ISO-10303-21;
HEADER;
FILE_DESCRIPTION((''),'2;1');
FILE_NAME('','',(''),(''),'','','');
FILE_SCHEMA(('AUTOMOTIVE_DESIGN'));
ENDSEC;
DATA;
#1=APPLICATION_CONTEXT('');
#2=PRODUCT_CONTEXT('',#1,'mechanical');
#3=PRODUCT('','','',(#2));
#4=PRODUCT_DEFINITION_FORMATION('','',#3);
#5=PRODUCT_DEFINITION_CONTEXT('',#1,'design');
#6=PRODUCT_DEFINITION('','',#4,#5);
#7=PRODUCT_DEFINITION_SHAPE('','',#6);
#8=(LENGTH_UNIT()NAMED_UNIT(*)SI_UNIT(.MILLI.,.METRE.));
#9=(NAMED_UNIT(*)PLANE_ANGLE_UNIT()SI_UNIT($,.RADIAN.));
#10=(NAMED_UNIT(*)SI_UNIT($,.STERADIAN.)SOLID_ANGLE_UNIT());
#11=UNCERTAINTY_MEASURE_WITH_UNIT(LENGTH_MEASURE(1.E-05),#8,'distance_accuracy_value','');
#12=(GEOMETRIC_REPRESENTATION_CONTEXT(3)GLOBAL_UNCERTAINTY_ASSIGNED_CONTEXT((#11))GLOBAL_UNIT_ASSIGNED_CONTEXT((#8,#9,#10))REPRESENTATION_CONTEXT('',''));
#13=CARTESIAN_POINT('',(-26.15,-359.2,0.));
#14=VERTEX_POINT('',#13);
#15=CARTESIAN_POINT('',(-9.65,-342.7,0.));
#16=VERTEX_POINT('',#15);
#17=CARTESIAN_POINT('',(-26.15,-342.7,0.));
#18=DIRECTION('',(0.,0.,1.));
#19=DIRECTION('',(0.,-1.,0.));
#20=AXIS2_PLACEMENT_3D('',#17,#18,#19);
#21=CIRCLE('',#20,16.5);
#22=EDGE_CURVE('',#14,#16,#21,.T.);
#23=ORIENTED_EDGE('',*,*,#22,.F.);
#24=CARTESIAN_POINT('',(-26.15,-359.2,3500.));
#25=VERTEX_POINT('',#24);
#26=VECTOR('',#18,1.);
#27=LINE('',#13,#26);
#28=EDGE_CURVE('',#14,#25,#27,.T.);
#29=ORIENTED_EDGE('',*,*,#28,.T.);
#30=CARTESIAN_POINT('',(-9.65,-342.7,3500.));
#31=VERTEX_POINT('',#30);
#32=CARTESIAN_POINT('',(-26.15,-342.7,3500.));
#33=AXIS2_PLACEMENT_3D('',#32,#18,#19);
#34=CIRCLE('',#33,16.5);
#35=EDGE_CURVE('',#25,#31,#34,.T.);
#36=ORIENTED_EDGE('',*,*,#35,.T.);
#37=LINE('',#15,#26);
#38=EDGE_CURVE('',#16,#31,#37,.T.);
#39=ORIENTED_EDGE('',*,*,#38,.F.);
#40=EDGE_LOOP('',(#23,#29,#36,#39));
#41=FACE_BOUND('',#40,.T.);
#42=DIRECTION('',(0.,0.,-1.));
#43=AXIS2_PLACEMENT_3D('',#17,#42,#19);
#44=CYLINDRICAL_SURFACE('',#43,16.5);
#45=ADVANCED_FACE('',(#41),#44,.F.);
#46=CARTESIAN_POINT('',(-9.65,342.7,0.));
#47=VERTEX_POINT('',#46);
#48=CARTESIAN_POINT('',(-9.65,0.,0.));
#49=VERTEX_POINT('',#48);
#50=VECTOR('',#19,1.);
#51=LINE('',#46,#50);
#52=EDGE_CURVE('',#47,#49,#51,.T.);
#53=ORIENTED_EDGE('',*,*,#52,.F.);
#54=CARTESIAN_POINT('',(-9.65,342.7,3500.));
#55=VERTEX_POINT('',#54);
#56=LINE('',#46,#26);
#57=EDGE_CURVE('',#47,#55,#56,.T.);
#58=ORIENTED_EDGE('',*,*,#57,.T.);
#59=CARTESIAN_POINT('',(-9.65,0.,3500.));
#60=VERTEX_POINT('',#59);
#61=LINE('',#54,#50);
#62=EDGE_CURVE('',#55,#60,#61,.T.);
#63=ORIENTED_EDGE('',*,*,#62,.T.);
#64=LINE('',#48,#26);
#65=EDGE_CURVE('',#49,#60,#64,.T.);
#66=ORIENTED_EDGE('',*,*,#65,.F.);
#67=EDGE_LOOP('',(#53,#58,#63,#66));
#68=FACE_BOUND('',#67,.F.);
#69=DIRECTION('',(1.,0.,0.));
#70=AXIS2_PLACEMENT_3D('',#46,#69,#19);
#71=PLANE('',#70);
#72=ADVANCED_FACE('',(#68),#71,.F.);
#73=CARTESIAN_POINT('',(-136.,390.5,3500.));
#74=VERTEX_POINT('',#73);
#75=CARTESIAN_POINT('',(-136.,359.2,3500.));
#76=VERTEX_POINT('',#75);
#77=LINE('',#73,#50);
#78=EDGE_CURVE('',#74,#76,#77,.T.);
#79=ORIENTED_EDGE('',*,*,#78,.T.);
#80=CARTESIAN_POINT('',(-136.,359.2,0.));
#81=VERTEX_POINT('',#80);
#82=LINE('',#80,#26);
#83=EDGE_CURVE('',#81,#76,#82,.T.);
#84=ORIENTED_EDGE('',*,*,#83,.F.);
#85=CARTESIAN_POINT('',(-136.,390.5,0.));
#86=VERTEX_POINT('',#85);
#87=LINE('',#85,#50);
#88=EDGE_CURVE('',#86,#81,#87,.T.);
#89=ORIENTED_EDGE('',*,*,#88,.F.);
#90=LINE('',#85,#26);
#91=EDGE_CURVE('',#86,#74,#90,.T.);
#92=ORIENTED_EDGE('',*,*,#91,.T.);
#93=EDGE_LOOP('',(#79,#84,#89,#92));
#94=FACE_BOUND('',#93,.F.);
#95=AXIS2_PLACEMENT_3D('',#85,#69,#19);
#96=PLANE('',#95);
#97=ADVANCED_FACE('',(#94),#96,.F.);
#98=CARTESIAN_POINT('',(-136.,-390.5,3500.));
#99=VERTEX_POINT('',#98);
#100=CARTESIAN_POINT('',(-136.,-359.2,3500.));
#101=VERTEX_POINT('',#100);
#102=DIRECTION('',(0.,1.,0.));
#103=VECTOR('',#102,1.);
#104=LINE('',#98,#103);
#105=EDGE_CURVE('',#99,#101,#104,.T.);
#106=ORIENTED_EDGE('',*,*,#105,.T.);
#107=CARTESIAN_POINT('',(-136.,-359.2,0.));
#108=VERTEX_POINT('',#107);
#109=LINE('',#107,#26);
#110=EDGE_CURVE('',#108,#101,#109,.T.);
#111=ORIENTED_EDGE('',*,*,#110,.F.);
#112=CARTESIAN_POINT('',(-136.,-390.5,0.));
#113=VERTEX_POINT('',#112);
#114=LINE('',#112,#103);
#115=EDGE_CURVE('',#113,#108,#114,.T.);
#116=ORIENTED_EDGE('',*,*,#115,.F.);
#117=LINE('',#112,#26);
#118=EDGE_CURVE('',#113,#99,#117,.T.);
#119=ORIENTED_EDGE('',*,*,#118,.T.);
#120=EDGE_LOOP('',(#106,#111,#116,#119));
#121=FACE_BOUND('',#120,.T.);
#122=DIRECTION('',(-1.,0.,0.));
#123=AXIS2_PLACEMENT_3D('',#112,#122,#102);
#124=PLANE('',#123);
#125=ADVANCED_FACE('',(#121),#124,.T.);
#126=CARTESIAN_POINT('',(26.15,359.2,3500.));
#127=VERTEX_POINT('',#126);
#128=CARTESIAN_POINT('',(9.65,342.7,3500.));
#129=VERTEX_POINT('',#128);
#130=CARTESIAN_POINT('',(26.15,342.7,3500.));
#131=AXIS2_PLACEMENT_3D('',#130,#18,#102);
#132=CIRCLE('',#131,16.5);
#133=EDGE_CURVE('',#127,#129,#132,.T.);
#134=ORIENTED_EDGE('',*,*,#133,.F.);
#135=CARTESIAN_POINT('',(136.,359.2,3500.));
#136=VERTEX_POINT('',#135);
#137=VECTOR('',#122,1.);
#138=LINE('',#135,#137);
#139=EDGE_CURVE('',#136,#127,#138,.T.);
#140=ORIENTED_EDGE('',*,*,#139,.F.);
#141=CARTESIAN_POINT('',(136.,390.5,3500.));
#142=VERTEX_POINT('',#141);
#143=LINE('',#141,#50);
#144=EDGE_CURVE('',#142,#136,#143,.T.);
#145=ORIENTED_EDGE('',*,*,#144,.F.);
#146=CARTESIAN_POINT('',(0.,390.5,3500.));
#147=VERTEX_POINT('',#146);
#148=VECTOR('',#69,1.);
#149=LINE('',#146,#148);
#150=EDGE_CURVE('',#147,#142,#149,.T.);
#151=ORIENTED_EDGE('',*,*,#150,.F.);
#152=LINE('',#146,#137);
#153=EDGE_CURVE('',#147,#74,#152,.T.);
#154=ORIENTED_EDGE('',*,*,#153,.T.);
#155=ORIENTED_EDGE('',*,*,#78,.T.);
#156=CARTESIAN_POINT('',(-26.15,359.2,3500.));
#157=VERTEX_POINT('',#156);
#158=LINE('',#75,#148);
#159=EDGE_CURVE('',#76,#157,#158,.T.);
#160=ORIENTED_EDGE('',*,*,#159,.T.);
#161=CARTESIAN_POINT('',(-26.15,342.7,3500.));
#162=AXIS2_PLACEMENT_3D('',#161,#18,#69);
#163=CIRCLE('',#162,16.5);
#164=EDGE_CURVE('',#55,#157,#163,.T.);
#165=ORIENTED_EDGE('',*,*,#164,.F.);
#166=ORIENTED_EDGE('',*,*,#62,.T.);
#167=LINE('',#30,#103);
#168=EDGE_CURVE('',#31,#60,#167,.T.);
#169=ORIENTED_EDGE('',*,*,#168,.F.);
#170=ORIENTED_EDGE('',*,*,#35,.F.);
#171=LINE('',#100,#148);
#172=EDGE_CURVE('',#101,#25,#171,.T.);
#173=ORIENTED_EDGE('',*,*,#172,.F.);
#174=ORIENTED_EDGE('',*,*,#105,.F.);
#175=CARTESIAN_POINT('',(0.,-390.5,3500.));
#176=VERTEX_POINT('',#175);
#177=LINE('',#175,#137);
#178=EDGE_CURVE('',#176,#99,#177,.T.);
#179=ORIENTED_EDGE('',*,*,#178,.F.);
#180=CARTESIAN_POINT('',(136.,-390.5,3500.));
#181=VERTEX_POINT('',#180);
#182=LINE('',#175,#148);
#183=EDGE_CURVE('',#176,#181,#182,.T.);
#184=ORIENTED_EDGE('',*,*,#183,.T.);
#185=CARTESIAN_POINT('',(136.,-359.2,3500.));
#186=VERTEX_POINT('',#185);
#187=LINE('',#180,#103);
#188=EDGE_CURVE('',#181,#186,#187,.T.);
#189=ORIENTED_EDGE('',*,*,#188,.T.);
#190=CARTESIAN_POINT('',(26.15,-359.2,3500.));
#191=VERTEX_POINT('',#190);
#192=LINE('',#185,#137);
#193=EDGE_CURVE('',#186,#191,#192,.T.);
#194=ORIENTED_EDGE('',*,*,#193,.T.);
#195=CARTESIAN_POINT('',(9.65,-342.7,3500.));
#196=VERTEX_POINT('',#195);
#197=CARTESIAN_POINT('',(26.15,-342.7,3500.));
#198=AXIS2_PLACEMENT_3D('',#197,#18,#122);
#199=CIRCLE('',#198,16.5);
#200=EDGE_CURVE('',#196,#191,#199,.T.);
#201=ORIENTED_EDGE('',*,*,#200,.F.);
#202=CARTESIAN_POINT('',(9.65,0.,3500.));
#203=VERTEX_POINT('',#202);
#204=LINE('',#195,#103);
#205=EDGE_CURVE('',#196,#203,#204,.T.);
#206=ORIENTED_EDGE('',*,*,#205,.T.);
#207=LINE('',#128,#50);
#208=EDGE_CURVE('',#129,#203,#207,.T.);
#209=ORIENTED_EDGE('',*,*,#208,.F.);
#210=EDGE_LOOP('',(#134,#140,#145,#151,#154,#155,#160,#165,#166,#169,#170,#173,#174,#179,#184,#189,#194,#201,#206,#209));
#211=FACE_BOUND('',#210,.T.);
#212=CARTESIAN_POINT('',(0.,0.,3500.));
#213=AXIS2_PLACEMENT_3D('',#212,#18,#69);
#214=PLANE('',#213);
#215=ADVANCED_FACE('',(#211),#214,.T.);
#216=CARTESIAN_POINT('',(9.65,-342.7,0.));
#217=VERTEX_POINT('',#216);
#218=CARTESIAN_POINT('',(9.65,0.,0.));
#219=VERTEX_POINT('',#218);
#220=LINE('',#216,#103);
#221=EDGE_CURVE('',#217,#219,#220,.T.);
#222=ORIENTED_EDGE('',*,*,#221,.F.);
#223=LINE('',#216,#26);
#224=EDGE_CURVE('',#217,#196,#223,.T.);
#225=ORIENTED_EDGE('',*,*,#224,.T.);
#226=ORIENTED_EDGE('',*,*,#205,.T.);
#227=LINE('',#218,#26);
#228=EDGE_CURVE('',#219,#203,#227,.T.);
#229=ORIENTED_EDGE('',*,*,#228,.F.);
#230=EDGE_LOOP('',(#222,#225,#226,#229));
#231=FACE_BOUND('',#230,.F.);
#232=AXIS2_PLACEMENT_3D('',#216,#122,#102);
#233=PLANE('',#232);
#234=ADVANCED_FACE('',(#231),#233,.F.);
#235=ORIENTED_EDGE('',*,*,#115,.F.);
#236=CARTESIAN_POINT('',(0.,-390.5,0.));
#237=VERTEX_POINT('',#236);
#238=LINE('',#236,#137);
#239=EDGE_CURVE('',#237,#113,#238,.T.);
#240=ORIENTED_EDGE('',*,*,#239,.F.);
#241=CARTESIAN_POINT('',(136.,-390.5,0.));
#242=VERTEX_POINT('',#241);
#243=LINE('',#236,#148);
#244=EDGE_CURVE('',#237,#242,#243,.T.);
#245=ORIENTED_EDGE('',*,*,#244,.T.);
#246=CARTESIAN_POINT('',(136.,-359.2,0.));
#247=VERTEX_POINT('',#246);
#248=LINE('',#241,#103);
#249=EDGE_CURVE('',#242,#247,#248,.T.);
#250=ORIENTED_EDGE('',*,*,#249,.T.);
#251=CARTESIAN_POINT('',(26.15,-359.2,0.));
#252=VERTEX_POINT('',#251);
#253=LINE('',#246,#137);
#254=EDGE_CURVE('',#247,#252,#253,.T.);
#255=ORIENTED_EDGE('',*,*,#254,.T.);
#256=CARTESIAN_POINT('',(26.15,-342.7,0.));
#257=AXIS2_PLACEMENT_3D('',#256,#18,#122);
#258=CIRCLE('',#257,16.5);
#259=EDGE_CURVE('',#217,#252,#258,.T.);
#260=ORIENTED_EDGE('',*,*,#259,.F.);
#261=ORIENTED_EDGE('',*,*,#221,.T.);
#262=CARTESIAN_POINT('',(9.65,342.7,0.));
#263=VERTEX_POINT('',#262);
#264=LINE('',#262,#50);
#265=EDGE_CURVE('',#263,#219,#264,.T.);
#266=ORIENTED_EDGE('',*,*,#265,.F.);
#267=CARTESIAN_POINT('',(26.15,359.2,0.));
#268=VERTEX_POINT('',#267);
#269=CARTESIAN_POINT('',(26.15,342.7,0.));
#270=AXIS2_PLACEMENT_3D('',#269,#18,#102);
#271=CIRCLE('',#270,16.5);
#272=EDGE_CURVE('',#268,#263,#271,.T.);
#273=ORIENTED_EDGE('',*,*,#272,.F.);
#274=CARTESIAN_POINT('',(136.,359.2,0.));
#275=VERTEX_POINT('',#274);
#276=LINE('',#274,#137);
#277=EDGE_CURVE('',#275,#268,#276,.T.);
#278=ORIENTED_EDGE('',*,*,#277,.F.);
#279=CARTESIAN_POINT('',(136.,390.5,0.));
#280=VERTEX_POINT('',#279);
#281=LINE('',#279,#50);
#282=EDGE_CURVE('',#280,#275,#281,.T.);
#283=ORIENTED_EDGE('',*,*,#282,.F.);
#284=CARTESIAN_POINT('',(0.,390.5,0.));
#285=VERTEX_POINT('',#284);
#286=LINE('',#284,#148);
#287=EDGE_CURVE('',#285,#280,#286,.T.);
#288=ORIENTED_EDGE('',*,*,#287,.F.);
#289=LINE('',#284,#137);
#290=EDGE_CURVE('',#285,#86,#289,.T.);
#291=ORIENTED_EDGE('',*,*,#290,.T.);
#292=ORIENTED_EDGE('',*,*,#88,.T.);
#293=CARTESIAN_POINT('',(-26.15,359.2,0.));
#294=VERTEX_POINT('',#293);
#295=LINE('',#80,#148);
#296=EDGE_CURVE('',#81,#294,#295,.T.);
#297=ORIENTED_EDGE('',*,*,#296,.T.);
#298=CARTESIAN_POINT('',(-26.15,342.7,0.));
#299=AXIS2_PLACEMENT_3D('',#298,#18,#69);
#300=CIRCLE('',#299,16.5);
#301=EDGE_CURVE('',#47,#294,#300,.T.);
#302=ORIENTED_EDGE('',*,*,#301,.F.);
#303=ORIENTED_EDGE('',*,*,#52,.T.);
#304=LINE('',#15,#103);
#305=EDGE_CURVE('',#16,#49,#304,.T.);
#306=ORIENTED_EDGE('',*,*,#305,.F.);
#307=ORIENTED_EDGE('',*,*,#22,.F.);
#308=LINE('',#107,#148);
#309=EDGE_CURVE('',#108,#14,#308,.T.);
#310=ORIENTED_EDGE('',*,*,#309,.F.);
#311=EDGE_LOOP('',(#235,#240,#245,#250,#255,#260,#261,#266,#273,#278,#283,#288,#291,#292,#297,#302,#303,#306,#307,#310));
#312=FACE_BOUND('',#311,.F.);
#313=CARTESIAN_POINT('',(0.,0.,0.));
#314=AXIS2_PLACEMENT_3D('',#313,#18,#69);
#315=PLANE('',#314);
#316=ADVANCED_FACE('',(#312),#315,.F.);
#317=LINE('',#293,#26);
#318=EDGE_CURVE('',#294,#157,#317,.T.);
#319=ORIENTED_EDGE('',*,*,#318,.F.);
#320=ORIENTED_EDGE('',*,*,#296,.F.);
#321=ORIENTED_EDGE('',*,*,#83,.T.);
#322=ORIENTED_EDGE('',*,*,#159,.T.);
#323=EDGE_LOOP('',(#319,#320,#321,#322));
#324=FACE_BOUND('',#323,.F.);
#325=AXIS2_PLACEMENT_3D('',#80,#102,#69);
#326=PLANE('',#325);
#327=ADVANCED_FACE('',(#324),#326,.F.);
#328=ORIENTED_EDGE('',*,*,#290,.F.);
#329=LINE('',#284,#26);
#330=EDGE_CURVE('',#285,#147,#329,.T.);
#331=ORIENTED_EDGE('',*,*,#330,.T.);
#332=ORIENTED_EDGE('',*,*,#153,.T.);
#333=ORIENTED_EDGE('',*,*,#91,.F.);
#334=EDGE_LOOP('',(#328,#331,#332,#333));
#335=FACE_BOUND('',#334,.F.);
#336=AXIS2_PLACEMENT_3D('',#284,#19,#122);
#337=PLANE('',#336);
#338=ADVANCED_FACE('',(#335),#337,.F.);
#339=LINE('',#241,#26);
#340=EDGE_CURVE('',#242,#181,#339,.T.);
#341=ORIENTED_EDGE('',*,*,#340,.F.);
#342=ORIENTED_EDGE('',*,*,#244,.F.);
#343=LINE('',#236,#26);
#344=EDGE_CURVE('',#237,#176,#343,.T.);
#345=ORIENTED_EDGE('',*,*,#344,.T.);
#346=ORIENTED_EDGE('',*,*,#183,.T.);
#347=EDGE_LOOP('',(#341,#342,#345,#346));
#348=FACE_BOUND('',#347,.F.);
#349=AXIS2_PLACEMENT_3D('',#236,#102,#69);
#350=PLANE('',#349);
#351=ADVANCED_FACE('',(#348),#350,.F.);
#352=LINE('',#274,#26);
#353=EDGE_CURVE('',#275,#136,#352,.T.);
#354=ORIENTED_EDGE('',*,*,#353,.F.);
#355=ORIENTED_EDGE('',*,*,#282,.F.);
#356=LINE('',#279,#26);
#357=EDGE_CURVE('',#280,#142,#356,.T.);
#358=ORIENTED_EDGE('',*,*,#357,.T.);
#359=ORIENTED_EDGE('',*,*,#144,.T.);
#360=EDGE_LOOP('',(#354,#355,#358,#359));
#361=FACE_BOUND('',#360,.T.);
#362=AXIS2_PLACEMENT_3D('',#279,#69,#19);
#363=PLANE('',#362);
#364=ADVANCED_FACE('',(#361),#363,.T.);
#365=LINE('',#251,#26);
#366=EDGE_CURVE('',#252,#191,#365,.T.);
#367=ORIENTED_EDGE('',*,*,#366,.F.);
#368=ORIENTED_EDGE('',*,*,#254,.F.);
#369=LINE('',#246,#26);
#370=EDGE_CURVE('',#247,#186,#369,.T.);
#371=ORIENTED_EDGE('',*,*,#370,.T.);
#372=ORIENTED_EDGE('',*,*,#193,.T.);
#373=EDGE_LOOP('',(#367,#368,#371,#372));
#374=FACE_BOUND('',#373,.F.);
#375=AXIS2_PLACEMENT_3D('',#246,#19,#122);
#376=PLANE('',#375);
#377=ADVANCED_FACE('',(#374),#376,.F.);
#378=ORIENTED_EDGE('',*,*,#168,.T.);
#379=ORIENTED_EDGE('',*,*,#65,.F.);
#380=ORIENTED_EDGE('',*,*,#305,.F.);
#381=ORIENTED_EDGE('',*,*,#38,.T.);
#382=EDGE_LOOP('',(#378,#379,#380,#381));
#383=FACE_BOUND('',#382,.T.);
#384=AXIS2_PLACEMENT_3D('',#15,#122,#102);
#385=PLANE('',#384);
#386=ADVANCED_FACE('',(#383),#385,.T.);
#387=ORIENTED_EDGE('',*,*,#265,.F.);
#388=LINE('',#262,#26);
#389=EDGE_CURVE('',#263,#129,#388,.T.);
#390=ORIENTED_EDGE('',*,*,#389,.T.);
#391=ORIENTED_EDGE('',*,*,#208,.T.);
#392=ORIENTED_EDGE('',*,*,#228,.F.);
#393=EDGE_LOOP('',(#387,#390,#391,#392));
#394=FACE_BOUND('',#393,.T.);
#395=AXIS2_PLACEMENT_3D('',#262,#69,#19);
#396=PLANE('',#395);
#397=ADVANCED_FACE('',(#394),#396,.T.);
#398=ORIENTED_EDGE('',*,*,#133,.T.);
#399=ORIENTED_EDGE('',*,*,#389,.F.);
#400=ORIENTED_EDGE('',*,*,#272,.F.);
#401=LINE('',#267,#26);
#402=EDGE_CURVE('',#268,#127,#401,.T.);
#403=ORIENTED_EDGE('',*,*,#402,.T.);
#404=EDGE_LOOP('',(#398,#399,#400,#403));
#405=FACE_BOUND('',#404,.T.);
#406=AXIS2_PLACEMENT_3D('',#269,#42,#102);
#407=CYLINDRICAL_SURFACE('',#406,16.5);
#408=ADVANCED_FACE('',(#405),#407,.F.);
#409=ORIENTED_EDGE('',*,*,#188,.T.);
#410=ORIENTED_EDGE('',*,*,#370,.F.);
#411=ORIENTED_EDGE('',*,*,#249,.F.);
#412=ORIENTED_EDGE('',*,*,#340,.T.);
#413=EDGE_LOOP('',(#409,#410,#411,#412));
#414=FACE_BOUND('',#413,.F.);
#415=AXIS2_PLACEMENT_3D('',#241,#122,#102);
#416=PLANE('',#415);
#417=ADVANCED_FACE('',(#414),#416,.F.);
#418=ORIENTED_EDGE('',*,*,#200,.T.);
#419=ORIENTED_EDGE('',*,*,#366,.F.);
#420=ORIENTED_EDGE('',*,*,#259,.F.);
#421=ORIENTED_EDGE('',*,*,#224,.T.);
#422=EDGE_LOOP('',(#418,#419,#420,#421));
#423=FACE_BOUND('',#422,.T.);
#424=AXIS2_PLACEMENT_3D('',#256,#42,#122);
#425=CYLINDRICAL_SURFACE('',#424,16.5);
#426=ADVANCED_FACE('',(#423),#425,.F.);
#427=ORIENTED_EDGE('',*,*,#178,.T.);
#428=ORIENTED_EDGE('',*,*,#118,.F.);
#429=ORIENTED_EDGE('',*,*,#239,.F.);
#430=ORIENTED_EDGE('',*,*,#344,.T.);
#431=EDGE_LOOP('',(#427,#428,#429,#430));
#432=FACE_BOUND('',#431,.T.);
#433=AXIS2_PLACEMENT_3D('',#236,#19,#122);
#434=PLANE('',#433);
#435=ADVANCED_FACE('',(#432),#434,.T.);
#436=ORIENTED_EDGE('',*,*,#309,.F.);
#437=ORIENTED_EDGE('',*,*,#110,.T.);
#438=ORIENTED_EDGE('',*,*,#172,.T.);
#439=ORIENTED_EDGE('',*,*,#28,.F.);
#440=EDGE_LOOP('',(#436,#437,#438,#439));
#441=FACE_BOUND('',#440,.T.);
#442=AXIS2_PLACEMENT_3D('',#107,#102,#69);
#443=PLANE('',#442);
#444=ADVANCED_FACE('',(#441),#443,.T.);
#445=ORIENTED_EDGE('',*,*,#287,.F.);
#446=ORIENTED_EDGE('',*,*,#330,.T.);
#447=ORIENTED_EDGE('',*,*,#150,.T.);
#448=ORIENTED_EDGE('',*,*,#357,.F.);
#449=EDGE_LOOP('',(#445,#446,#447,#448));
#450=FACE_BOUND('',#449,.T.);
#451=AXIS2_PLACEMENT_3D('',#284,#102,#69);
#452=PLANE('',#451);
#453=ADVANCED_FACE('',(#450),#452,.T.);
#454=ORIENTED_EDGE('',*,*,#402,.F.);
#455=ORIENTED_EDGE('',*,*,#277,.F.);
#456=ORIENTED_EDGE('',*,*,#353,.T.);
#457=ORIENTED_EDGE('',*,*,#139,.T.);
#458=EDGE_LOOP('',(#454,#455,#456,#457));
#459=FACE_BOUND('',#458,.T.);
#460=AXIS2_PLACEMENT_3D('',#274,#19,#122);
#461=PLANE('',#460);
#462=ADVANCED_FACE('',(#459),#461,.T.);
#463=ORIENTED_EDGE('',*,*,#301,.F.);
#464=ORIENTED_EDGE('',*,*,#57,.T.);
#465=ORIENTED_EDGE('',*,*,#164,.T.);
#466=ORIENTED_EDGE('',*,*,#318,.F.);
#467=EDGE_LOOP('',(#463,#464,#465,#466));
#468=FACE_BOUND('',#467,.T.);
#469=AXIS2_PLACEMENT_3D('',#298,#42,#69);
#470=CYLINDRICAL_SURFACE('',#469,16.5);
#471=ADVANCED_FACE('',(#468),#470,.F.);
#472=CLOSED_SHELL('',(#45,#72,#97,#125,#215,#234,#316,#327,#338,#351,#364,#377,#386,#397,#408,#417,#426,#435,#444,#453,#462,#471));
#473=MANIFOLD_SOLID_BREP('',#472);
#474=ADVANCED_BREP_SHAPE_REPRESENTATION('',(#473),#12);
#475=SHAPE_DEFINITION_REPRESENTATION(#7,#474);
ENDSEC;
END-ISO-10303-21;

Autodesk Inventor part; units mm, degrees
ref_plane "YZ Plane" through (0, 0, 0) normal (1, 0, 0) x (0, 1, 0)
ref_plane "Start plane" through (0, 0, 0) normal (0, 0, 1) x (1, 0, 0)
ref_plane "End plane" through (0, 0, 3500) normal (0, 0, 1) x (1, 0, 0)
sketch "Sketch" plane through (0, 0, 0) normal (0, 0, 1) x (1, 0, 0)
  line L0 (-136, -390.5) -> (-136, -359.2)
  line L1 (-136, -359.2) -> (-26.15, -359.2)
  line L2 (-9.65, -342.7) -> (-9.65, 0)
  line L3 (-9.65, 0) -> (0, 0) construction
  line L4 (0, 0) -> (0, -390.5) construction
  line L5 (0, -390.5) -> (-136, -390.5)
  line L6 (-60, 0) -> (80, 0) construction
  line L7 (0, -60) -> (0, 80) construction
  line L8 (136, -390.5) -> (136, -359.2)
  line L9 (136, -359.2) -> (26.15, -359.2)
  line L10 (9.65, -342.7) -> (9.65, 0)
  line L11 (9.65, 0) -> (0, 0) construction
  line L12 (0, -390.5) -> (136, -390.5)
  line L13 (-136, 390.5) -> (-136, 359.2)
  line L14 (-136, 359.2) -> (-26.15, 359.2)
  line L15 (-9.65, 342.7) -> (-9.65, 0)
  line L16 (0, 390.5) -> (-136, 390.5)
  line L17 (136, 390.5) -> (136, 359.2)
  line L18 (136, 359.2) -> (26.15, 359.2)
  line L19 (0, 390.5) -> (136, 390.5)
  line L20 (9.65, 342.7) -> (9.65, 0)
  arc A0 (-9.65, 342.7) -> (-26.15, 359.2) centre (-26.15, 342.7) ccw
  arc A1 (26.15, 359.2) -> (9.65, 342.7) centre (26.15, 342.7) ccw
  arc A2 (9.65, -342.7) -> (26.15, -359.2) centre (26.15, -342.7) ccw
  arc A3 (-26.15, -359.2) -> (-9.65, -342.7) centre (-26.15, -342.7) ccw
  line L21 (0, 108) -> (0, -88) construction
  line L22 (-88, 0) -> (108, 0) construction
  point P0 (-9.65, -359.2)
  point P1 (9.65, -359.2)
  point P2 (-9.65, 359.2)
  point P3 (9.65, 359.2)
  dimension "d1" = 390.5
  dimension "d2" = 31.3
  dimension "d3" = 136
  dimension "d4" = 9.65
  dimension "d10" = 16.5
extrude "Body" add sketch "Sketch" along normal up to surface (3500 mm away) from surface at 0
sketch "Sketch4" plane through (0, 0, 0) normal (0, 0, 1) x (1, 0, 0)
  line L0 (0, 0) -> (10, 0)
ref_plane "Work Plane3" through (0, 0, 0) normal (0, -1, 0) x (1, 0, 0)
sketch "Sketch5" plane through (0, 0, 0) normal (0, -1, 0) x (1, 0, 0)
  line L0 (-2, 0) -> (12, 0) projected
  line L1 (-2, 3500) -> (12, 3500) projected
  dimension "d14" = 3500
equation "\"d1\" = 0.5 * G_H"
equation "\"d2\" = G_T1"
equation "\"d3\" = 0.5 * G_W"
equation "\"d4\" = 0.5 * G_T"
equation "\"d10\" = G_IR"
equation "\"d5\" = G_L"
equation "\"G_W\" = 272"
equation "\"G_H\" = 781"
equation "\"G_T\" = 19.3"
equation "\"G_T1\" = 31.3"
equation "\"G_IR\" = 16.5"
equation "\"G_L\" = d14"
equation "\"G_OFFSET_START\" = 0"
equation "\"G_OFFSET_END\" = 0"
properties part number "AS 3679-1990 - 760 UB - 244 - 3500" material "Steel, Mild"
